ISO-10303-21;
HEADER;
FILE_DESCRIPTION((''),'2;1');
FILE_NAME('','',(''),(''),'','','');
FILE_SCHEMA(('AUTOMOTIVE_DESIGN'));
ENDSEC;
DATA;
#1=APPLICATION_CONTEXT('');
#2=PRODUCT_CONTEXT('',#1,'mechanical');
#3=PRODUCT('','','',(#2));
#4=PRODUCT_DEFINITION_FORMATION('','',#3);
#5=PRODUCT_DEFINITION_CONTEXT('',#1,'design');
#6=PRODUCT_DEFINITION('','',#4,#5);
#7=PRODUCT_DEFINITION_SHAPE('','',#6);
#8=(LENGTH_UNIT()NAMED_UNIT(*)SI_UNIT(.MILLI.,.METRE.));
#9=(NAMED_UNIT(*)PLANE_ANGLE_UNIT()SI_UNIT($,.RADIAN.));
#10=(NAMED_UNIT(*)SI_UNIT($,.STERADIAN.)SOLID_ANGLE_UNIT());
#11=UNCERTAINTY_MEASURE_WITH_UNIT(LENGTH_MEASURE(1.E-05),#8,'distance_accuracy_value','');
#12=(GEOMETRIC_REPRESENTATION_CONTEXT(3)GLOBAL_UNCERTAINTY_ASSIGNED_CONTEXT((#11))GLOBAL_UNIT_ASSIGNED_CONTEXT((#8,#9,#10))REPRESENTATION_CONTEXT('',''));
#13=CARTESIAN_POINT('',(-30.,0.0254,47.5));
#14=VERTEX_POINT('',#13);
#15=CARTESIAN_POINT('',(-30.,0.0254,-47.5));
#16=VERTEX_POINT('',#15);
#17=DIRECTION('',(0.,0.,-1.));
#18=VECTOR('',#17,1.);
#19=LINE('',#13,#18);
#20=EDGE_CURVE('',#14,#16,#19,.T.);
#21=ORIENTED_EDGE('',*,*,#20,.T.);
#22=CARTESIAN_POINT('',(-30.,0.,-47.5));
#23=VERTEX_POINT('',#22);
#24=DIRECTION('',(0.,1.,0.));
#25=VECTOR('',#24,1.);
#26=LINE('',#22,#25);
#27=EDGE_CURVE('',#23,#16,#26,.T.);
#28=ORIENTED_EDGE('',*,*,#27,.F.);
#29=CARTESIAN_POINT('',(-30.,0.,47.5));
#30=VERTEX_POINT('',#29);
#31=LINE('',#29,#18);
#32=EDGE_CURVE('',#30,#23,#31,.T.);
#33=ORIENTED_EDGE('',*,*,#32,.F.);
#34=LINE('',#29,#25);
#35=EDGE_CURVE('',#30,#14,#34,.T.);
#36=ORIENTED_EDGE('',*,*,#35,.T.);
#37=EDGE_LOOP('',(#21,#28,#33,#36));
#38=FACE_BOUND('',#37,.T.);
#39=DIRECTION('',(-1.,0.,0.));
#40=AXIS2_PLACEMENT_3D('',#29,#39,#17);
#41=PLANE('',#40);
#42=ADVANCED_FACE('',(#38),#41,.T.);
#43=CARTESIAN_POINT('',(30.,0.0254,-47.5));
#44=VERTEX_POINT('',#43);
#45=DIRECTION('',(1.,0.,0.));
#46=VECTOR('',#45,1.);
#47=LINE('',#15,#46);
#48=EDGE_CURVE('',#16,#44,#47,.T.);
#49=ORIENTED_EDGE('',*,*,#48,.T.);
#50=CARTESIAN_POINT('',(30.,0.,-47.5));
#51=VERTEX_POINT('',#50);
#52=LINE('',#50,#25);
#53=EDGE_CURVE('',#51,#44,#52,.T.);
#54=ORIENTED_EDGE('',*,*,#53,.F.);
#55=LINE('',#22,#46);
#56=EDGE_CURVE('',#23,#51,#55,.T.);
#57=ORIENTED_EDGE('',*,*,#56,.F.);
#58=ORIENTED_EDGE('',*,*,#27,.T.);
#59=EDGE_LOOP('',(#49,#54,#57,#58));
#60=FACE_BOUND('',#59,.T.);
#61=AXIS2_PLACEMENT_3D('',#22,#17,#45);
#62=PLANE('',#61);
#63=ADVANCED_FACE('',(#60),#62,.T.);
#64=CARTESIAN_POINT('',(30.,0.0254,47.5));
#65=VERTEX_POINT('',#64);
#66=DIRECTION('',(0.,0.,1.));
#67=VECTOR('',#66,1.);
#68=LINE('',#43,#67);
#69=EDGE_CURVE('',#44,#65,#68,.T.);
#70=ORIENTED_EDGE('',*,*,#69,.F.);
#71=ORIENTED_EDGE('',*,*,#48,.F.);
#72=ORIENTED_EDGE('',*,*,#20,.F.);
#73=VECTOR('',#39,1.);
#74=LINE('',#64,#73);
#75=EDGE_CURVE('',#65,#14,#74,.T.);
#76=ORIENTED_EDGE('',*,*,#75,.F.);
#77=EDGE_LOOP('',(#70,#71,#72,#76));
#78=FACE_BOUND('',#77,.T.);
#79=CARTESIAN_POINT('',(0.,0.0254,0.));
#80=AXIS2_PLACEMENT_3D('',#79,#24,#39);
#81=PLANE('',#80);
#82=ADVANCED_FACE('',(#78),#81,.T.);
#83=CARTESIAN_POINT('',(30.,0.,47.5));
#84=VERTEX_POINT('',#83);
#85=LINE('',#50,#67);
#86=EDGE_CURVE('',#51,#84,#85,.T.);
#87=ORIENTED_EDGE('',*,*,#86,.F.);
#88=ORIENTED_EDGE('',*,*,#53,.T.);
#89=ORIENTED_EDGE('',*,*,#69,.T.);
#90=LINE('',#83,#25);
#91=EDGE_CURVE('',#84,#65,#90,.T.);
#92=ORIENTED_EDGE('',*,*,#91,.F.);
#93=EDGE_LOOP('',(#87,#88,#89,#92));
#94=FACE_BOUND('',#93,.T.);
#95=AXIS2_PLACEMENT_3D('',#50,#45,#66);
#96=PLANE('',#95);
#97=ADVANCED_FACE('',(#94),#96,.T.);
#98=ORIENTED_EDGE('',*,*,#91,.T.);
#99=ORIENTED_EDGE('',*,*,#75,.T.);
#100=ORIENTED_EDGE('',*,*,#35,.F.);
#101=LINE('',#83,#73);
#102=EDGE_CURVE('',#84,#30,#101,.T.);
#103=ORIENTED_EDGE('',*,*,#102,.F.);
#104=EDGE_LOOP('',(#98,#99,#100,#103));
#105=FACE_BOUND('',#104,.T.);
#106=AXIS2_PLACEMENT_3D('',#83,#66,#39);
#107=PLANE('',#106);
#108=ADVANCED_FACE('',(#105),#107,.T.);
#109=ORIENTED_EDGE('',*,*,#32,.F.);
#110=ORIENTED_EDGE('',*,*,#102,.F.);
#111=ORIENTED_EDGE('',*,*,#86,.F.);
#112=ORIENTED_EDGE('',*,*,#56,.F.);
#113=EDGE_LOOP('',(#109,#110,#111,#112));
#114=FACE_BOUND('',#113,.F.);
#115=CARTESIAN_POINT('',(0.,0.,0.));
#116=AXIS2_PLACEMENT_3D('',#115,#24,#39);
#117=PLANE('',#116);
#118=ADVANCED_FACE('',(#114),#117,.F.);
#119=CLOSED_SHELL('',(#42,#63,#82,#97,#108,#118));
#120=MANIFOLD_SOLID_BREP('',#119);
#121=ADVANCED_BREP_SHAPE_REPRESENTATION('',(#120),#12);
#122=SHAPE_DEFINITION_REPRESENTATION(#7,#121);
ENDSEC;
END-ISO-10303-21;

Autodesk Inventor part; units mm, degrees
ref_plane "YZ Plane" through (0, 0, 0) normal (1, 0, 0) x (0, 1, 0)
ref_plane "XZ Plane" through (0, 0, 0) normal (0, 1, 0) x (-1, 0, 0)
ref_plane "XY Plane" through (0, 0, 0) normal (0, 0, 1) x (1, 0, 0)
sketch "Sketch1" plane through (0, 0, 0) normal (0, 1, 0) x (-1, 0, 0)
  line L0 (-30, 47.5) -> (30, 47.5)
  line L1 (30, 47.5) -> (30, -47.5)
  line L2 (30, -47.5) -> (-30, -47.5)
  line L3 (-30, -47.5) -> (-30, 47.5)
  line L4 (-30, 47.5) -> (30, -47.5) construction
  line L5 (30, 47.5) -> (-30, -47.5) construction
  point P0 (0, 0)
  dimension "d0" = 60
  dimension "d1" = 95
extrude "Extrusion1" add sketch "Sketch1" along normal blind 0.0254
properties part number "Paper piece"
